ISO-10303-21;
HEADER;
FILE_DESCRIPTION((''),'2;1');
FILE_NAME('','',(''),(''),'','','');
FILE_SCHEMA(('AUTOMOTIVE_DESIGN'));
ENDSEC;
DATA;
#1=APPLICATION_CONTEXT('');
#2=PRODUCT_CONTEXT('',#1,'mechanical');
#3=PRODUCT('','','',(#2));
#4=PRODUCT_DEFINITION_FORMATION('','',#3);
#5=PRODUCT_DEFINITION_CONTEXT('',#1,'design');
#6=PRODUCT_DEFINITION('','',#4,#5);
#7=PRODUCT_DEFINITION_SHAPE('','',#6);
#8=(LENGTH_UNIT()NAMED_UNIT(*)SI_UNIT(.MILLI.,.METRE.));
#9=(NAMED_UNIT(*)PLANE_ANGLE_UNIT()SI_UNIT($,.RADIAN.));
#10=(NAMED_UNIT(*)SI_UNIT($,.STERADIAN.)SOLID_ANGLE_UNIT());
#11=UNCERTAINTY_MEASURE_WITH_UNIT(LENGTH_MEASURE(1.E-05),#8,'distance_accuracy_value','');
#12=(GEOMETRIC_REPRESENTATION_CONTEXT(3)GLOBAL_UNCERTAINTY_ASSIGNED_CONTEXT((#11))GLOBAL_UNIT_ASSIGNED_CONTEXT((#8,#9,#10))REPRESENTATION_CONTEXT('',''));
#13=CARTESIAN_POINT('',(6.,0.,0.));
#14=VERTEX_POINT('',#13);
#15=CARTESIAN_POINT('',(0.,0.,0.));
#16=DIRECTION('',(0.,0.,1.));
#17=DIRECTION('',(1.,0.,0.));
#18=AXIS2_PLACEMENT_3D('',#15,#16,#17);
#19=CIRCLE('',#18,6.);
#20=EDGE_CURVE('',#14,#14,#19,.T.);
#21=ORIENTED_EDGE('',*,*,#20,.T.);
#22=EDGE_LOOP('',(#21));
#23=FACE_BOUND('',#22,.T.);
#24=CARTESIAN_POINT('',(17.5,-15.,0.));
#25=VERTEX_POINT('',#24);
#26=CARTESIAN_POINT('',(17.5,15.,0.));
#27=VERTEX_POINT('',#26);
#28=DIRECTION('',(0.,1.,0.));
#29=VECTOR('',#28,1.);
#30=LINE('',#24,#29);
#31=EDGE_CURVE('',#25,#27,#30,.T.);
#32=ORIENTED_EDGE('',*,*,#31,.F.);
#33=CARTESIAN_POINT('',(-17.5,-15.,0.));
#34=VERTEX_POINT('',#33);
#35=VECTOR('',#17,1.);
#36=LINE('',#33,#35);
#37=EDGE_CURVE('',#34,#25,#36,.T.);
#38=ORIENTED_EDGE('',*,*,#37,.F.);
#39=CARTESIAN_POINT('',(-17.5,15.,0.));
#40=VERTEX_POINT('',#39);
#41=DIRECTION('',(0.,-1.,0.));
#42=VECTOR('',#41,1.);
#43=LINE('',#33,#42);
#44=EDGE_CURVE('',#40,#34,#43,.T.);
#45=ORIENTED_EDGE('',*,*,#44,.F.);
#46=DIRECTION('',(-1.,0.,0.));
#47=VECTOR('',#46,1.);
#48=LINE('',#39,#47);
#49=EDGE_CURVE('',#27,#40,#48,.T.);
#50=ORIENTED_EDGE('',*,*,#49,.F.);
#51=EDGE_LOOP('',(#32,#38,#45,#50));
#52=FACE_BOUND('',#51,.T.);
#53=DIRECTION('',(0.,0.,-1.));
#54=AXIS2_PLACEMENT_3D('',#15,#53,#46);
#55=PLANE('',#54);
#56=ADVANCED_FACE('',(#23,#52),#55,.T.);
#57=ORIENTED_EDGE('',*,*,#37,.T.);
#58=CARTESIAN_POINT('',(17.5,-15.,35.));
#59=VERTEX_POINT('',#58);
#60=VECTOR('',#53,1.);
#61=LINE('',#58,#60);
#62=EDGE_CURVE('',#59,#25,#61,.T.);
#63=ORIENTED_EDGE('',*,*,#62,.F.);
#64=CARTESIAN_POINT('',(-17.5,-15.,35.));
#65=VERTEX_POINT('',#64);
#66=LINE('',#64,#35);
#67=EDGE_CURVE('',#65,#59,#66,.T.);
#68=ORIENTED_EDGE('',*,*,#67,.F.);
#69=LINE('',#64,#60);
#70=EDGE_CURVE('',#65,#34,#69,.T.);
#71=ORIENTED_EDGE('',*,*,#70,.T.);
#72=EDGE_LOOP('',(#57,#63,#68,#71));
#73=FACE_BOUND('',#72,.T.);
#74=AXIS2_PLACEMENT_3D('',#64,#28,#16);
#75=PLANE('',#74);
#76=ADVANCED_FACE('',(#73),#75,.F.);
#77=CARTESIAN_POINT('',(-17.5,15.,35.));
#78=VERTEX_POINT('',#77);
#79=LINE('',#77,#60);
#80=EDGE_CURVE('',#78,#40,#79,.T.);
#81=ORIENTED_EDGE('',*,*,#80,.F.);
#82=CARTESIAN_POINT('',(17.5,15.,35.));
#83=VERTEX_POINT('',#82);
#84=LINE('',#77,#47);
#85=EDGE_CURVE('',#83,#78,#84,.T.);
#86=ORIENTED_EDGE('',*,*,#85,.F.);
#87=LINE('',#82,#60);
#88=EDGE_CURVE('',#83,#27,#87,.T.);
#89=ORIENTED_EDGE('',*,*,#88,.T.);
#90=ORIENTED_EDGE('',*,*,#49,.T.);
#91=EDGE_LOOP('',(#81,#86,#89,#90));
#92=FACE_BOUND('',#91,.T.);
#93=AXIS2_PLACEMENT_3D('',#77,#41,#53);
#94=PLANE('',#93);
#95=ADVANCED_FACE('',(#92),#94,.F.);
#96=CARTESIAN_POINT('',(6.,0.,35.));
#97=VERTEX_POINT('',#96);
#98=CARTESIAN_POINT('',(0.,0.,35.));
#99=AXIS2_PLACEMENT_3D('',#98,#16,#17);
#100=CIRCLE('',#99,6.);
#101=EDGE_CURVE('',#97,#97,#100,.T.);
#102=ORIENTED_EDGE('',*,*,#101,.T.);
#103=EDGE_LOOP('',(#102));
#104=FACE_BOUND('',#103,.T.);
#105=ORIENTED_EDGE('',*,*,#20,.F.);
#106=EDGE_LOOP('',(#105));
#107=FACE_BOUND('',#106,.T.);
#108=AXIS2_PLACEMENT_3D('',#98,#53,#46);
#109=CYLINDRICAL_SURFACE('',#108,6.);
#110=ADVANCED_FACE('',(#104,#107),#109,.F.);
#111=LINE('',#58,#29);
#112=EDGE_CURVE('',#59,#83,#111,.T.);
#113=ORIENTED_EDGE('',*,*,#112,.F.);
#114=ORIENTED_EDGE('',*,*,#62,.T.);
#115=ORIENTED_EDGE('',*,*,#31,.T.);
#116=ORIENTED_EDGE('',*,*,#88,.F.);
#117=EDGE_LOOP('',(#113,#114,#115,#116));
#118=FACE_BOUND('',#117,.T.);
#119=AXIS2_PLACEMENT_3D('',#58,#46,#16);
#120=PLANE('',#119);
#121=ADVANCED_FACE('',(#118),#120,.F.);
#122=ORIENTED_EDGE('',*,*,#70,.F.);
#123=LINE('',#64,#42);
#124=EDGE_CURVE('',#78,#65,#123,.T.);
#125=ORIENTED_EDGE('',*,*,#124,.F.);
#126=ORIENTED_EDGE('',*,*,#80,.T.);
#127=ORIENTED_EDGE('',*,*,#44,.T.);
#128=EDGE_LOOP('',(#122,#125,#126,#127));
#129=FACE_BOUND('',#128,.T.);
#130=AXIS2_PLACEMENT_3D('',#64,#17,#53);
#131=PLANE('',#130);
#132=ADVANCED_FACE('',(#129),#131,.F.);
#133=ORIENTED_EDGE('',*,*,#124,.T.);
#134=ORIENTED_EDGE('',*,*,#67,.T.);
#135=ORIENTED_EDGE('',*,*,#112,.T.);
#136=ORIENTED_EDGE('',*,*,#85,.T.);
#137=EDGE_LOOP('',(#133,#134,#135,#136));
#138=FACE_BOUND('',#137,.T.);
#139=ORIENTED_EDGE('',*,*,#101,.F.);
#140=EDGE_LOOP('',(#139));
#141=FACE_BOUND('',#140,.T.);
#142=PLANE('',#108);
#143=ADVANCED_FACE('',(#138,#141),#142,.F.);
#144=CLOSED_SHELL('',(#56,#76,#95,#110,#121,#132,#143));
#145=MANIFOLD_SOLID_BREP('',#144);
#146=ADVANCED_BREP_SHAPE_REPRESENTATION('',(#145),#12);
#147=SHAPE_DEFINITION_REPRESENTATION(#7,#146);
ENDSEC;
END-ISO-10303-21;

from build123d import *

# Parameters (mm, degrees)
SKETCH1_W           = 35
SKETCH1_H           = 30
SKETCH1_R           = 6
BOSS_EXTRUDE1_DEPTH = 35


with BuildPart() as part:
    # Sketch1 → Boss-Extrude1 (new body)
    with BuildSketch(Plane.XY):
        Rectangle(SKETCH1_W, SKETCH1_H)
        Circle(SKETCH1_R, mode=Mode.SUBTRACT)
    extrude(amount=BOSS_EXTRUDE1_DEPTH)


solid = part.part
